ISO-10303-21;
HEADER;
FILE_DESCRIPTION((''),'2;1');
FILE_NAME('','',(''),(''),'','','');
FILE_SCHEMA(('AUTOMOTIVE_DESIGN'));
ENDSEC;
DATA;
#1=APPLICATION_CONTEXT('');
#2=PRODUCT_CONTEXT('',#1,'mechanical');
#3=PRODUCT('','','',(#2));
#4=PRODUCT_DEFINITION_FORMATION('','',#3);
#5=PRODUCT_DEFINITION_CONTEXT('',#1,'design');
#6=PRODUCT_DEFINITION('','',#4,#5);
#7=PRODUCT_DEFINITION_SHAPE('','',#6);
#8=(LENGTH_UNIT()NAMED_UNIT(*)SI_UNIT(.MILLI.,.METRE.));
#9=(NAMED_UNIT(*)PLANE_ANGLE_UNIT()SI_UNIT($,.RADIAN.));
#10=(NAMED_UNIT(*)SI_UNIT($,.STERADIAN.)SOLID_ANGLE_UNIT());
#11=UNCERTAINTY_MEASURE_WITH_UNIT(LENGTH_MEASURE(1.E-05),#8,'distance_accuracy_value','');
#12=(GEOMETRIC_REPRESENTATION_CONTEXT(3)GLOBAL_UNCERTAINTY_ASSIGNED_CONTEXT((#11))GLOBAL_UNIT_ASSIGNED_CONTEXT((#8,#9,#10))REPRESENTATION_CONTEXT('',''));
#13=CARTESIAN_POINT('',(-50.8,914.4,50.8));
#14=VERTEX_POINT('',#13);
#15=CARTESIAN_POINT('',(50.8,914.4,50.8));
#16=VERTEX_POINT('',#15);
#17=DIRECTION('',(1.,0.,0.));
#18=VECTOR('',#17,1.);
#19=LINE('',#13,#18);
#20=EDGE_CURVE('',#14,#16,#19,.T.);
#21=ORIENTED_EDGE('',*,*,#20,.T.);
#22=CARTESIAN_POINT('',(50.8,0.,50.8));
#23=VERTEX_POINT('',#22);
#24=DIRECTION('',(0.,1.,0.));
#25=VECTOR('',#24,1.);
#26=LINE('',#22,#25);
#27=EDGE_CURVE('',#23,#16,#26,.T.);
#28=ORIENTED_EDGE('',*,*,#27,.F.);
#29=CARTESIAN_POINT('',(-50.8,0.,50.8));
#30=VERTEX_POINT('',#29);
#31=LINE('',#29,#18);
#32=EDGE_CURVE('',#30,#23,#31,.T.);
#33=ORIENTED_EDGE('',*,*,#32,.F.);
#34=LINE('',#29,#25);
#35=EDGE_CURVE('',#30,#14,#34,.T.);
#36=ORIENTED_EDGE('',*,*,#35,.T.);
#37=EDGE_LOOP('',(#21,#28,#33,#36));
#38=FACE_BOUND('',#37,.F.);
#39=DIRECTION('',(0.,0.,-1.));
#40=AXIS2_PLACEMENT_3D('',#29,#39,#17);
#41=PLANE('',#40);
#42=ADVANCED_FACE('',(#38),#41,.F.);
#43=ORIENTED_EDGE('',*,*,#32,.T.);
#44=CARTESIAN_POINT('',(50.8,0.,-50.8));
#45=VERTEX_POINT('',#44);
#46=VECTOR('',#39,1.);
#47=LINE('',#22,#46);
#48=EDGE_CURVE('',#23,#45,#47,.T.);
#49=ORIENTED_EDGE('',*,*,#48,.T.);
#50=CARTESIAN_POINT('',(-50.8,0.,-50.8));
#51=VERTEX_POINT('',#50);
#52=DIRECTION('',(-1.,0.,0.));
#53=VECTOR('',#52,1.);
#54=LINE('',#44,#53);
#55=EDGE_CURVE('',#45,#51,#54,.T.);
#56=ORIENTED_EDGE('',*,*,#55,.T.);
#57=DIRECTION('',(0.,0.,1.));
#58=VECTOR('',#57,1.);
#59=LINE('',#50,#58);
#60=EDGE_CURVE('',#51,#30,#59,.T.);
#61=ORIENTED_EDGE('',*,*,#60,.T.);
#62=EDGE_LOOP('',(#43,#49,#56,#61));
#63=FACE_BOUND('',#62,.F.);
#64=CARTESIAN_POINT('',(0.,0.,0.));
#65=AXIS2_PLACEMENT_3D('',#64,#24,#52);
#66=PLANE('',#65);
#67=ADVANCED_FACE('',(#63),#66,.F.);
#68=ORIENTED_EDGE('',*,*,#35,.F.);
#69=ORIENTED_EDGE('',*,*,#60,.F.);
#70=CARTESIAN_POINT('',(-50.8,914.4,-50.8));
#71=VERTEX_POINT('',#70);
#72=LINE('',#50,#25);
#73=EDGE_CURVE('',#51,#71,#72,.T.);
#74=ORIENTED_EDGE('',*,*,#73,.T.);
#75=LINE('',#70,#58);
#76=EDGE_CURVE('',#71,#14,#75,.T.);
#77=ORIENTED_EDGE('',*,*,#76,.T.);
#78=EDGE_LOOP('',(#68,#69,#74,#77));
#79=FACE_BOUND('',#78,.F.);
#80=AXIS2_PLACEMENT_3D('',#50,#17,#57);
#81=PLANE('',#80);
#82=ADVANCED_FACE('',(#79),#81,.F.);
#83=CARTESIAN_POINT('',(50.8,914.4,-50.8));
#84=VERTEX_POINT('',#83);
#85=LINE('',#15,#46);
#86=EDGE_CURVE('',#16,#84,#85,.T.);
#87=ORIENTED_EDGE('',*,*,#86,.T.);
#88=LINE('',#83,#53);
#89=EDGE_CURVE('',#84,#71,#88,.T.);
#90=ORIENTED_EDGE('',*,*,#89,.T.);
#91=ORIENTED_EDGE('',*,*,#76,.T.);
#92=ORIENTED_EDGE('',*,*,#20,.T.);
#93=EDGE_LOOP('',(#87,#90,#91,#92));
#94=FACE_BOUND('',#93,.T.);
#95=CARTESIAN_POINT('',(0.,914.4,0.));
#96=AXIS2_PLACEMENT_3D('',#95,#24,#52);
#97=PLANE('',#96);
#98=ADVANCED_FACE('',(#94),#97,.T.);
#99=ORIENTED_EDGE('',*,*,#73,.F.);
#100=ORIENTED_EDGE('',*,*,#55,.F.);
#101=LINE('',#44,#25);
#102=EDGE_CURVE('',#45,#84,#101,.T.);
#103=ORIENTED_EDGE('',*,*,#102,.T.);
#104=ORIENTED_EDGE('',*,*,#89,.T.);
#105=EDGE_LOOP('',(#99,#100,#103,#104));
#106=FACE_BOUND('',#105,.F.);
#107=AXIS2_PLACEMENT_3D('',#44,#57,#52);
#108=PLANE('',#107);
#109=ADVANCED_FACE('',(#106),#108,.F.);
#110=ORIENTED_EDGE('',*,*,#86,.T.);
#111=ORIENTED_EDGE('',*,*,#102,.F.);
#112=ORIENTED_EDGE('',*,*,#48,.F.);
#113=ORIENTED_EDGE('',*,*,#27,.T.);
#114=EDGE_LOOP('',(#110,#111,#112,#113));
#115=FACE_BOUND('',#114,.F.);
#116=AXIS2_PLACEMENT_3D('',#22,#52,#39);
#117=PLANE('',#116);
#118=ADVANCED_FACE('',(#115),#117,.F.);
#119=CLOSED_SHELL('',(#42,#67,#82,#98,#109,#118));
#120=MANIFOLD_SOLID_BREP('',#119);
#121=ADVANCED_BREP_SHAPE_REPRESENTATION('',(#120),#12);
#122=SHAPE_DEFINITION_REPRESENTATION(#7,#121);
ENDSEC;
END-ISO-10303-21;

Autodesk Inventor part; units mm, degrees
ref_plane "YZ Plane" through (0, 0, 0) normal (1, 0, 0) x (0, 1, 0)
ref_plane "XZ Plane" through (0, 0, 0) normal (0, 1, 0) x (-1, 0, 0)
ref_plane "XY Plane" through (0, 0, 0) normal (0, 0, 1) x (1, 0, 0)
sketch "Sketch1" plane through (0, 0, 0) normal (0, 1, 0) x (-1, 0, 0)
  line L0 (-50.8, 50.8) -> (-50.8, -50.8)
  line L1 (-50.8, -50.8) -> (50.8, -50.8)
  line L2 (50.8, -50.8) -> (50.8, 50.8)
  line L3 (50.8, 50.8) -> (-50.8, 50.8)
  line L4 (-50.8, 50.8) -> (50.8, -50.8) construction
  line L5 (-50.8, -50.8) -> (50.8, 50.8) construction
  point P0 (0, 0)
  dimension "d0" = 101.6
  dimension "d1" = 101.6
extrude "Extrusion1" add sketch "Sketch1" along normal blind 914.4
sketch "Sketch2" plane through (0, 914.4, 0) normal (0, 1, 0) x (1, 0, 0)
  line L0 (50.8, 50.8) -> (-50.8, 50.8) projected
  line L1 (50.8, -50.8) -> (-50.8, -50.8)
  line L2 (-50.8, -50.8) -> (-50.8, 50.8)
  line L3 (-50.8, 50.8) -> (50.8, 50.8)
  line L4 (50.8, 50.8) -> (50.8, -50.8)
  line L5 (50.8, -50.8) -> (-50.8, 50.8) construction
  line L6 (-50.8, -50.8) -> (50.8, 50.8) construction
  point P0 (0, 0)
properties part number "4x4x36" material "Wood (Birch)"
